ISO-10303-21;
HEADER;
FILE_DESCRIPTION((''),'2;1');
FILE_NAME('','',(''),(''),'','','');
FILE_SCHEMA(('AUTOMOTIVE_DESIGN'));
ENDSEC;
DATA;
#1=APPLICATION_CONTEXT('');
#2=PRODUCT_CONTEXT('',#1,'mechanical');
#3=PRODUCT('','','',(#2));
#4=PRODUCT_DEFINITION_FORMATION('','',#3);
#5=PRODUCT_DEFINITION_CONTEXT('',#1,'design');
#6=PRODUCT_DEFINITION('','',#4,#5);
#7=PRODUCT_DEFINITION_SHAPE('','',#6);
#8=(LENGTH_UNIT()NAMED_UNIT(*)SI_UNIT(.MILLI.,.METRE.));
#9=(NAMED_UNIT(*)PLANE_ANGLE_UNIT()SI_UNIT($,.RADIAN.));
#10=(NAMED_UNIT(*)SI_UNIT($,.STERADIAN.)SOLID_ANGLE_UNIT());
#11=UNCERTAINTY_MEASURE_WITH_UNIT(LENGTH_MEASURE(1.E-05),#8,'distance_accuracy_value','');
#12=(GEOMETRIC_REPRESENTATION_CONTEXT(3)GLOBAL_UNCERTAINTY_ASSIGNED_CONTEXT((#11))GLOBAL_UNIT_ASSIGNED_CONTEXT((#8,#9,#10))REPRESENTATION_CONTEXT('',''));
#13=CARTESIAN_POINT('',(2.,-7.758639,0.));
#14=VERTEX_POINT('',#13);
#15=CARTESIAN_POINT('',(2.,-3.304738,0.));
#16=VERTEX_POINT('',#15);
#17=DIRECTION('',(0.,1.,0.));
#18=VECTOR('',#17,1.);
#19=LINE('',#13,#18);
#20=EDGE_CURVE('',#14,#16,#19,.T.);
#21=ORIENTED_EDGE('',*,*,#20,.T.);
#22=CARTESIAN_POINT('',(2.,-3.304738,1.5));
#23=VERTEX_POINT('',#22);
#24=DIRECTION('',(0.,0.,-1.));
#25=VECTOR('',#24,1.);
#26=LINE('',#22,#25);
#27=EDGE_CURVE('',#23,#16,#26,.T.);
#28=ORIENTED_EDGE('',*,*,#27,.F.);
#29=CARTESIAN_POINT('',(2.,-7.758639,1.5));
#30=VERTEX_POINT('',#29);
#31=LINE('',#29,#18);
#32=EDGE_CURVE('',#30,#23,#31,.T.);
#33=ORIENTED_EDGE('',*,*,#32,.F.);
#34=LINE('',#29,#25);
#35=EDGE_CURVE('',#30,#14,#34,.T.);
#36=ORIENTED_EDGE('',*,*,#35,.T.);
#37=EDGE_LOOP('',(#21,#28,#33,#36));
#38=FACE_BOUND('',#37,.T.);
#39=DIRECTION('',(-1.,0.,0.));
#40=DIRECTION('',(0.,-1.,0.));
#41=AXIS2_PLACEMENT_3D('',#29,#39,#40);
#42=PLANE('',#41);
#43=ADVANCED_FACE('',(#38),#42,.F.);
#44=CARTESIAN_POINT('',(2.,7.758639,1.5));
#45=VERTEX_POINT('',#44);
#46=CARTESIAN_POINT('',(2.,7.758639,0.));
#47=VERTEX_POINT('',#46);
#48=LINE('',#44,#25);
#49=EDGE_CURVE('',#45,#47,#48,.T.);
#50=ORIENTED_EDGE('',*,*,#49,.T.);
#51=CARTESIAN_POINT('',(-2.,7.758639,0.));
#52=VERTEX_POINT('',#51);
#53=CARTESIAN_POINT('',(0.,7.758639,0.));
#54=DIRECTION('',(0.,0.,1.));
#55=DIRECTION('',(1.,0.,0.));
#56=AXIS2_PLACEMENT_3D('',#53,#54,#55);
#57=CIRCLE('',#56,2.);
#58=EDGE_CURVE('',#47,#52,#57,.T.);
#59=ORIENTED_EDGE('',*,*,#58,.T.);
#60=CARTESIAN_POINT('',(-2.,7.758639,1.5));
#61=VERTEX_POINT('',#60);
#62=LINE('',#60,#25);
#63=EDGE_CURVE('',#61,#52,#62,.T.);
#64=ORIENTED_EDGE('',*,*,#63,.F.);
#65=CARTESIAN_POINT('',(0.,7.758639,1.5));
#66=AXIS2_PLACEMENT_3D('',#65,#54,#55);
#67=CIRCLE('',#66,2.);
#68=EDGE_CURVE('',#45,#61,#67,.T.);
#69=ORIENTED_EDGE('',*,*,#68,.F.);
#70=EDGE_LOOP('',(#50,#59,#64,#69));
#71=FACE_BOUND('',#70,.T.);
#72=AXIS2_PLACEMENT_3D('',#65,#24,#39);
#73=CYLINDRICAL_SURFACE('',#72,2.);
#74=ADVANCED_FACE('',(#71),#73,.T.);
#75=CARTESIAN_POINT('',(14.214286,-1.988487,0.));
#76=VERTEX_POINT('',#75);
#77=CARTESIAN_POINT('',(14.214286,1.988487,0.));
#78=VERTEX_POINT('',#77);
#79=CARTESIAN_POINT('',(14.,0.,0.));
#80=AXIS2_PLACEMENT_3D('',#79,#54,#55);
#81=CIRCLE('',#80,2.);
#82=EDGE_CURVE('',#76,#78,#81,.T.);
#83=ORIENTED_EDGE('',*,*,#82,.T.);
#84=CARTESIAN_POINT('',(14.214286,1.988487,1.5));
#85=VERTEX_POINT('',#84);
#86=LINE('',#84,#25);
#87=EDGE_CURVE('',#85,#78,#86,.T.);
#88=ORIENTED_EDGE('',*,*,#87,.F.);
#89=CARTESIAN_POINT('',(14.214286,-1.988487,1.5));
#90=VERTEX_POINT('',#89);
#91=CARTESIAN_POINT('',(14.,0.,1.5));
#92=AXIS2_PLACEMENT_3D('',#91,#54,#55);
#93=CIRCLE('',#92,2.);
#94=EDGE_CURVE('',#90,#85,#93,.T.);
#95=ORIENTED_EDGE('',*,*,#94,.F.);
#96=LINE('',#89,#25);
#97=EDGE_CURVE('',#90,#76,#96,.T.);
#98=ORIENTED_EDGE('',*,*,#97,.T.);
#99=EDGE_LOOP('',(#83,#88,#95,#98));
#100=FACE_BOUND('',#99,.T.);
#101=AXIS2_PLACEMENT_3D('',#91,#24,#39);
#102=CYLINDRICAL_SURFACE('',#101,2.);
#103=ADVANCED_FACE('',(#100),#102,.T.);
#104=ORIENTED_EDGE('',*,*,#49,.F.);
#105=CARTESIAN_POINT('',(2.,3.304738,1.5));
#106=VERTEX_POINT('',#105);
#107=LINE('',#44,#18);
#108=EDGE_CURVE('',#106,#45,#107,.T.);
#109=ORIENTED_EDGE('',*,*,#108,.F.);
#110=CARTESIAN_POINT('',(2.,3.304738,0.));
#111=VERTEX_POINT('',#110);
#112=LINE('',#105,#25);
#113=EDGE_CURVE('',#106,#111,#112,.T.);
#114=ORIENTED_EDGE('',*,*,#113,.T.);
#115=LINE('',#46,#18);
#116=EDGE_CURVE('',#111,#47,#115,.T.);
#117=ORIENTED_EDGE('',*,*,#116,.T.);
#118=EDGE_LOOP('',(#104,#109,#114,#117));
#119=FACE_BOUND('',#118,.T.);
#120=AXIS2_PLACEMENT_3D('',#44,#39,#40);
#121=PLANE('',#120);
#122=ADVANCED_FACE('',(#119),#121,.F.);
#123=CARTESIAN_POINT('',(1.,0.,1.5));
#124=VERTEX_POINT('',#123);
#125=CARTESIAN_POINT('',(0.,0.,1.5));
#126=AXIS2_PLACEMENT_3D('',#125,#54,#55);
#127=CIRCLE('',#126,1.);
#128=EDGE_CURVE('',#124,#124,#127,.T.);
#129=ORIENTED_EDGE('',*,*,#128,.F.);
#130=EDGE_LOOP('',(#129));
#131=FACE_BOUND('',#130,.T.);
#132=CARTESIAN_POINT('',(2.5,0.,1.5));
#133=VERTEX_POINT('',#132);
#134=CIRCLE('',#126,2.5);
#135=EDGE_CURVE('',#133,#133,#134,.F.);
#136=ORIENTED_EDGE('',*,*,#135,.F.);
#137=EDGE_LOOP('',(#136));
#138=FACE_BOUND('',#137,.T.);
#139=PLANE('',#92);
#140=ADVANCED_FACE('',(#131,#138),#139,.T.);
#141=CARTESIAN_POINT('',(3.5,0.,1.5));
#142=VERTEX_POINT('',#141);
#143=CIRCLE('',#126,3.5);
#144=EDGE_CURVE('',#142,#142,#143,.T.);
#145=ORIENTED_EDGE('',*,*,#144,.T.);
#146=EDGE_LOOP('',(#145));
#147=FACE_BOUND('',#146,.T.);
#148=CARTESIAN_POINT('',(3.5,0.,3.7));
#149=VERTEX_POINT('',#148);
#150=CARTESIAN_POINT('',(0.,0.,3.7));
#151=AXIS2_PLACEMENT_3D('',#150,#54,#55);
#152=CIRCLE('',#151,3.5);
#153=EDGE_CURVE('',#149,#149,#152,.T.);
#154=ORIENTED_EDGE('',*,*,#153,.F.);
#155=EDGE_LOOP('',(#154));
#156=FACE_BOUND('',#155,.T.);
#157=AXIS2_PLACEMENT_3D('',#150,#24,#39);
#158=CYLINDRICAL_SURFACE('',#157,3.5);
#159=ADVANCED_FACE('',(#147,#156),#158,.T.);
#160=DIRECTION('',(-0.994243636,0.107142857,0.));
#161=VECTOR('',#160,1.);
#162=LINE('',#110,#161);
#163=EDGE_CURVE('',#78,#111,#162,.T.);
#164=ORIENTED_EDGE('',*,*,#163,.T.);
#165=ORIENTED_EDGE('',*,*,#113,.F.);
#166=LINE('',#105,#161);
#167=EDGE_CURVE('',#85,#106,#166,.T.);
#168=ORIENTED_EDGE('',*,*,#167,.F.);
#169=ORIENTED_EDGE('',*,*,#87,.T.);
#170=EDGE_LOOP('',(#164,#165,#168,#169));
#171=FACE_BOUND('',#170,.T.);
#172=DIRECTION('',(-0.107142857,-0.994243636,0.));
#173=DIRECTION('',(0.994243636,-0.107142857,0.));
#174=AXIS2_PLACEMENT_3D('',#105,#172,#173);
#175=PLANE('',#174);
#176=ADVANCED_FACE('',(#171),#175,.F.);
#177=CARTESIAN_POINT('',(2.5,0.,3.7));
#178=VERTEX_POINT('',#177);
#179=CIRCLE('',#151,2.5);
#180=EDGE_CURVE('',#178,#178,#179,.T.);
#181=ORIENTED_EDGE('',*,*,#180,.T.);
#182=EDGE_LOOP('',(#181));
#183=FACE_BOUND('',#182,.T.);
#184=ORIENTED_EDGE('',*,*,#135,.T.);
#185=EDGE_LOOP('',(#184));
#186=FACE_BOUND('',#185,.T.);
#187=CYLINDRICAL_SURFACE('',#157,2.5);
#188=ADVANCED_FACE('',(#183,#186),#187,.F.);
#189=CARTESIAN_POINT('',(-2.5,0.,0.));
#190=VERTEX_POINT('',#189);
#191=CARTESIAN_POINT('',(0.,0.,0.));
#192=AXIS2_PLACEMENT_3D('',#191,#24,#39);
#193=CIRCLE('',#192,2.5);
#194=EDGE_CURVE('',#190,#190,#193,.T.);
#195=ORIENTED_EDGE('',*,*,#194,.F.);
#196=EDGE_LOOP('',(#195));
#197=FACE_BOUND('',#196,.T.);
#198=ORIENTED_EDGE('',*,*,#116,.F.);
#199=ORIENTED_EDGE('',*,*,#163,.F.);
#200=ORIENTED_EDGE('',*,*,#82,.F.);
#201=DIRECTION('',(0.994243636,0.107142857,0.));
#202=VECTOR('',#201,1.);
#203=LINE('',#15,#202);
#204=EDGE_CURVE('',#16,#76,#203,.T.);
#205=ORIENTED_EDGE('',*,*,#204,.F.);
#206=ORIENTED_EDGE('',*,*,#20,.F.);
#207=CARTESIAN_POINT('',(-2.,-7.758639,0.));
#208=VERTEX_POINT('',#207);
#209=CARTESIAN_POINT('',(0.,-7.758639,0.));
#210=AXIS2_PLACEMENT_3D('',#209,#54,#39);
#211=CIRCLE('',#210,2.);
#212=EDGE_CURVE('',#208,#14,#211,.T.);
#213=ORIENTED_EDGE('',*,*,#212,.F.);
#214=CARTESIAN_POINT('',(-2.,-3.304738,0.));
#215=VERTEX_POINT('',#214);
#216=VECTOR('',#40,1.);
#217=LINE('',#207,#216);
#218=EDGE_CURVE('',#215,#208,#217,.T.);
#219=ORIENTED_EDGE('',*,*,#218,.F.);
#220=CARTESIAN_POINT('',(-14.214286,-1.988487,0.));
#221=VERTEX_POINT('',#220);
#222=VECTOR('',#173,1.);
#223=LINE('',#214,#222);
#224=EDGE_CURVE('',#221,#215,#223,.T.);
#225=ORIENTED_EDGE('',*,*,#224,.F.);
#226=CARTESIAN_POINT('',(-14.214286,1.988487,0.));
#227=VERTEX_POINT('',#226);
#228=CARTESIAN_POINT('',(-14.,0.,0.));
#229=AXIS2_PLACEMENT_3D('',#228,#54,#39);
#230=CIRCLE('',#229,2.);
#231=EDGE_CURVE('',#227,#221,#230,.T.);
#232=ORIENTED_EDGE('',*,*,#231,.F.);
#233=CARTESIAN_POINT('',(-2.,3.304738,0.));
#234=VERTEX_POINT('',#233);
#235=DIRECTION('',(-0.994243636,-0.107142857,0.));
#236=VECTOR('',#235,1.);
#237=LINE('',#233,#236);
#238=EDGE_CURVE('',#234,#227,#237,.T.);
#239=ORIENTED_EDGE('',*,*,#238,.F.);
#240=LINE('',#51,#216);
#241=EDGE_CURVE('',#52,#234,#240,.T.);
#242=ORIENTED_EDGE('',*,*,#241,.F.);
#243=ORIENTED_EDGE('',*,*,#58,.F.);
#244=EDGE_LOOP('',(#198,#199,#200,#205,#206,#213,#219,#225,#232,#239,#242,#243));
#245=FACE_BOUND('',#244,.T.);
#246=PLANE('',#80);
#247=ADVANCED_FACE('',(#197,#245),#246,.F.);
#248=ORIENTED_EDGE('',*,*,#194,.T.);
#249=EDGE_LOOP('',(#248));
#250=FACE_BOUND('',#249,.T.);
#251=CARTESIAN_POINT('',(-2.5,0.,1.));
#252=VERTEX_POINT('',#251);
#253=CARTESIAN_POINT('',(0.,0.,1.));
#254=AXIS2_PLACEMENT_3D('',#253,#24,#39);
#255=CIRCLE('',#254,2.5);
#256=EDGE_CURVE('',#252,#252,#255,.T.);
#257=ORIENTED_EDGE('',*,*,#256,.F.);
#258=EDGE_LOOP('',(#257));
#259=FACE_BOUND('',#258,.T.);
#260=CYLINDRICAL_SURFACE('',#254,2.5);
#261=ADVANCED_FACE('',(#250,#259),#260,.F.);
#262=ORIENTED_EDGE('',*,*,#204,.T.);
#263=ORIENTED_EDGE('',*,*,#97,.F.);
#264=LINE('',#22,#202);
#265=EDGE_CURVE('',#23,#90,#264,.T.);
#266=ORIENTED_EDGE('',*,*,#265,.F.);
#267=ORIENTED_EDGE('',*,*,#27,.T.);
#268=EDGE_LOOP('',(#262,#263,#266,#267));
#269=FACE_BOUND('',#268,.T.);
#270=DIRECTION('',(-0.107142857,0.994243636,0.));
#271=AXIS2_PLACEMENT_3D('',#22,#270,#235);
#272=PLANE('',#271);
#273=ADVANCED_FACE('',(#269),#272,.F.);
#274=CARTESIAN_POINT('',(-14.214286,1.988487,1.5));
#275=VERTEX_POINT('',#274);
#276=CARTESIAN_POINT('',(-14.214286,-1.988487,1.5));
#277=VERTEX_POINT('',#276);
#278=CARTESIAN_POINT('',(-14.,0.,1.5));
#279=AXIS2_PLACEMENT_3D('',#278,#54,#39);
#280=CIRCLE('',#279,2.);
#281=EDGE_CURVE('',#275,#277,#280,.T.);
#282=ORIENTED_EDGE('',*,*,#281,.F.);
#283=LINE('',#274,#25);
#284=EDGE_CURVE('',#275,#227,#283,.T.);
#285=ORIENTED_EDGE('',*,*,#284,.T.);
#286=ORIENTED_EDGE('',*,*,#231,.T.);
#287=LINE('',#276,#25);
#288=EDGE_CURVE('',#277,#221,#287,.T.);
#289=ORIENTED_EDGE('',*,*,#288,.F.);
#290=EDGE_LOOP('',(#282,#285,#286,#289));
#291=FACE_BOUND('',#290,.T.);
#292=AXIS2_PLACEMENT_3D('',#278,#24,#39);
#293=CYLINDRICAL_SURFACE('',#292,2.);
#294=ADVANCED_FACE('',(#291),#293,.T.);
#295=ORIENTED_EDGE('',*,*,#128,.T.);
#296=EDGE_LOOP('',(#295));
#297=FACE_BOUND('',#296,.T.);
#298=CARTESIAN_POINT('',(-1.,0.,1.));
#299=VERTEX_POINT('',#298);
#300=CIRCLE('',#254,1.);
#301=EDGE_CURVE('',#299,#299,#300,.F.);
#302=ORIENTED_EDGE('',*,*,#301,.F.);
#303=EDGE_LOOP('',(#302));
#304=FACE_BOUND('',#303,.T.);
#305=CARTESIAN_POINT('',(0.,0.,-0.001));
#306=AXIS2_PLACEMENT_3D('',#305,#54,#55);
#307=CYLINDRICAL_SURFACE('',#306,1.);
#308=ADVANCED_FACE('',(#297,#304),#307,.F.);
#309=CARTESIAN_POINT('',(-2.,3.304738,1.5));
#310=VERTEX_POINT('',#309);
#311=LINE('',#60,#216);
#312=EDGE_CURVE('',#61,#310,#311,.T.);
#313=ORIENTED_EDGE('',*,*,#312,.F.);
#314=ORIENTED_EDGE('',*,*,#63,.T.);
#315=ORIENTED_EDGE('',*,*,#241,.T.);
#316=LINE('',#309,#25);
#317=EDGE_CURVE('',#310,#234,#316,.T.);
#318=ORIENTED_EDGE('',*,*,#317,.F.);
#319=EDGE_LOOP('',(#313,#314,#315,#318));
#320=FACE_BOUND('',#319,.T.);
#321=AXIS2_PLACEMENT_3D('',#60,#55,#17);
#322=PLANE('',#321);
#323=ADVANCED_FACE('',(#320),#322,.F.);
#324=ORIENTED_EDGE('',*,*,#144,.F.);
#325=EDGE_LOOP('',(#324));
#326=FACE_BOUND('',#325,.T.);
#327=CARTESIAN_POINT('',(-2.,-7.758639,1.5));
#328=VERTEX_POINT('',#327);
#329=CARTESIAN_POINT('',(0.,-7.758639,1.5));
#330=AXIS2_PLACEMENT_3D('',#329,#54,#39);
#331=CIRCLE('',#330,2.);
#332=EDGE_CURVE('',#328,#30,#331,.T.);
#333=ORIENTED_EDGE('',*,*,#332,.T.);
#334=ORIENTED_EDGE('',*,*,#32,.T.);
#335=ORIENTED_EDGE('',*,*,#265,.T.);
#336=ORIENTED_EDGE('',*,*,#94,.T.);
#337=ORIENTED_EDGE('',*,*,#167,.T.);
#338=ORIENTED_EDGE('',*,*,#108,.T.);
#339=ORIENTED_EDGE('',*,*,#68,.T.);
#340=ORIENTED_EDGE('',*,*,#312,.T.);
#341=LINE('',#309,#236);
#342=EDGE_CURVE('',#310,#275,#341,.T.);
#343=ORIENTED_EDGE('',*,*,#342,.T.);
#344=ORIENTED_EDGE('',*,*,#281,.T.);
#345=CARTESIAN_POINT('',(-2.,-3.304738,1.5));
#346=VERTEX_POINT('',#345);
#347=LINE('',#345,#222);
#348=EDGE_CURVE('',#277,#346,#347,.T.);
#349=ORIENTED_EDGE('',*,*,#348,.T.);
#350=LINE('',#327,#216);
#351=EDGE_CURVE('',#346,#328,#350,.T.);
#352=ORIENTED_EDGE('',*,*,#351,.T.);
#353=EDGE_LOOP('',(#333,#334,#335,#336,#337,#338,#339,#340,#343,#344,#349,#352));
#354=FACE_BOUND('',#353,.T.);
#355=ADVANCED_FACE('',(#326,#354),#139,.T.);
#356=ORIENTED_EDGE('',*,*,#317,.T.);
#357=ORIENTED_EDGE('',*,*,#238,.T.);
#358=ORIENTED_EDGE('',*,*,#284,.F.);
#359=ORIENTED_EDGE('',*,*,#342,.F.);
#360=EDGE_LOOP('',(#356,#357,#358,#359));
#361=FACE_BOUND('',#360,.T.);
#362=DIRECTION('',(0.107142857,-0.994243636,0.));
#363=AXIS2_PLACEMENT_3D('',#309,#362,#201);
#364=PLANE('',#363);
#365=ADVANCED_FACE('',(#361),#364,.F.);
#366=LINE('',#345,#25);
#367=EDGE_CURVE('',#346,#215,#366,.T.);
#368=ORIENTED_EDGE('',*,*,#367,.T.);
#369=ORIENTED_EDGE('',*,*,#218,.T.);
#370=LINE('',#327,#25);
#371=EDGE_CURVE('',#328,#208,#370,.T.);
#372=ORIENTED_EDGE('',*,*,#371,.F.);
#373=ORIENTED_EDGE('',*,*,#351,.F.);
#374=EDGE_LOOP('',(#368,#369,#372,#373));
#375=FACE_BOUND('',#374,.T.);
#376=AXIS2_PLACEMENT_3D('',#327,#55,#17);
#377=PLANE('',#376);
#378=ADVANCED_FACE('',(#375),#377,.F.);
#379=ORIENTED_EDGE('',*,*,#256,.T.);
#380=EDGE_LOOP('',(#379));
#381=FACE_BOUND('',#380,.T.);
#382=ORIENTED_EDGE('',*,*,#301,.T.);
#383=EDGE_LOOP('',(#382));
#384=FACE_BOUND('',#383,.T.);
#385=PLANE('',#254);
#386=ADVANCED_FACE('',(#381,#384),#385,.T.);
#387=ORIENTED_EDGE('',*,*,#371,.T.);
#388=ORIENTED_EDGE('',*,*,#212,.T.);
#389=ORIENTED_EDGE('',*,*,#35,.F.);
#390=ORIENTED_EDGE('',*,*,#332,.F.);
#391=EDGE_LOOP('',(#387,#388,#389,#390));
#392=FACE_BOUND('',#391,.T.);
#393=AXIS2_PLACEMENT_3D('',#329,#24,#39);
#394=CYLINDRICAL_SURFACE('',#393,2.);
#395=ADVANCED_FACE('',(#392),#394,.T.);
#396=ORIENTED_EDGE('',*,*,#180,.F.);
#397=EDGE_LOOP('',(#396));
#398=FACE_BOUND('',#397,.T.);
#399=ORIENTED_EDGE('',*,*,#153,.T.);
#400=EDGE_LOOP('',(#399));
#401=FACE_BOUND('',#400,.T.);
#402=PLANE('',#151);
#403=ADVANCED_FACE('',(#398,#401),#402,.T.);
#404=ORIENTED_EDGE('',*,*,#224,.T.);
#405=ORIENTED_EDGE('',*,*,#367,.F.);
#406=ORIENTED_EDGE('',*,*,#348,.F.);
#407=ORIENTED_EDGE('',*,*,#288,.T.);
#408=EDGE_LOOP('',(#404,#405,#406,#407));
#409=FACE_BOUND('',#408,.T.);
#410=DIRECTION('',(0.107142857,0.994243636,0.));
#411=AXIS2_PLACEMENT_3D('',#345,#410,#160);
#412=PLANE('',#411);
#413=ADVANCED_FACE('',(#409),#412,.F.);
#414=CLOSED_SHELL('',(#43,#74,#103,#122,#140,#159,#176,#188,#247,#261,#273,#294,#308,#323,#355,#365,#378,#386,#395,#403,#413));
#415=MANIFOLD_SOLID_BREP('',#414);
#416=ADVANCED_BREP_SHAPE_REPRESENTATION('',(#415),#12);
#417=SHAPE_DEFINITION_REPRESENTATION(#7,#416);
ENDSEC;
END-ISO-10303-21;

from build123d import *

# Parameters (mm, degrees)
BOSS_EXTRUDE1_DEPTH = 1.5
SKETCH2_R           = 3.5
SKETCH2_R_2         = 2.5
BOSS_EXTRUDE2_DEPTH = 2.2
CUT_EXTRUDE1_REACH  = 20.87
SKETCH3_R           = 1
SKETCH4_R           = 2.5
CUT_EXTRUDE2_DEPTH  = 1


with BuildPart() as part:
    # Sketch1 → Boss-Extrude1 (new body)
    with BuildSketch(Plane.XY):
        with BuildLine():
            Line((2, 7.75863865), (2, 3.304737557))
            Line((2, 3.304737557), (14.214285714, 1.988487272))
            ThreePointArc((14.214285714, 1.988487272), (16, 0), (14.214285714, -1.988487272))
            Line((14.214285714, -1.988487272), (2, -3.304737557))
            Line((2, -3.304737557), (2, -7.75863865))
            ThreePointArc((2, -7.75863865), (0, -9.75863865), (-2, -7.75863865))
            Line((-2, -7.75863865), (-2, -3.304737557))
            Line((-2, -3.304737557), (-14.214285714, -1.988487272))
            ThreePointArc((-14.214285714, -1.988487272), (-16, 0), (-14.214285714, 1.988487272))
            Line((-14.214285714, 1.988487272), (-2, 3.304737557))
            Line((-2, 3.304737557), (-2, 7.75863865))
            ThreePointArc((-2, 7.75863865), (0, 9.75863865), (2, 7.75863865))
        make_face()
    extrude(amount=BOSS_EXTRUDE1_DEPTH)

    # Sketch2 → Boss-Extrude2 (add)
    with BuildSketch(Plane.XY.offset(1.5)):
        Circle(SKETCH2_R)
        Circle(SKETCH2_R_2, mode=Mode.SUBTRACT)
    extrude(amount=BOSS_EXTRUDE2_DEPTH)

    # Sketch3 → Cut-Extrude1 (cut, up to next)
    with BuildSketch(Plane.XY.offset(1.5), mode=Mode.PRIVATE) as cut_extrude1_sk1:
        Circle(SKETCH3_R)
    cut_extrude1_tool1 = extrude(cut_extrude1_sk1.sketch, amount=-CUT_EXTRUDE1_REACH, mode=Mode.PRIVATE) & part.part
    add(cut_extrude1_tool1.solids().sort_by_distance((0, 0, 1.5))[0], mode=Mode.SUBTRACT)

    # Sketch4 → Cut-Extrude2 (cut)
    with BuildSketch(Plane(origin=(0, 0, 0), x_dir=(-1, 0, 0), z_dir=(0, 0, -1))):
        with Locations(Location((0, 0, 0), (0, 0, 180))):
            Circle(SKETCH4_R)
    extrude(amount=-CUT_EXTRUDE2_DEPTH, mode=Mode.SUBTRACT)


solid = part.part
